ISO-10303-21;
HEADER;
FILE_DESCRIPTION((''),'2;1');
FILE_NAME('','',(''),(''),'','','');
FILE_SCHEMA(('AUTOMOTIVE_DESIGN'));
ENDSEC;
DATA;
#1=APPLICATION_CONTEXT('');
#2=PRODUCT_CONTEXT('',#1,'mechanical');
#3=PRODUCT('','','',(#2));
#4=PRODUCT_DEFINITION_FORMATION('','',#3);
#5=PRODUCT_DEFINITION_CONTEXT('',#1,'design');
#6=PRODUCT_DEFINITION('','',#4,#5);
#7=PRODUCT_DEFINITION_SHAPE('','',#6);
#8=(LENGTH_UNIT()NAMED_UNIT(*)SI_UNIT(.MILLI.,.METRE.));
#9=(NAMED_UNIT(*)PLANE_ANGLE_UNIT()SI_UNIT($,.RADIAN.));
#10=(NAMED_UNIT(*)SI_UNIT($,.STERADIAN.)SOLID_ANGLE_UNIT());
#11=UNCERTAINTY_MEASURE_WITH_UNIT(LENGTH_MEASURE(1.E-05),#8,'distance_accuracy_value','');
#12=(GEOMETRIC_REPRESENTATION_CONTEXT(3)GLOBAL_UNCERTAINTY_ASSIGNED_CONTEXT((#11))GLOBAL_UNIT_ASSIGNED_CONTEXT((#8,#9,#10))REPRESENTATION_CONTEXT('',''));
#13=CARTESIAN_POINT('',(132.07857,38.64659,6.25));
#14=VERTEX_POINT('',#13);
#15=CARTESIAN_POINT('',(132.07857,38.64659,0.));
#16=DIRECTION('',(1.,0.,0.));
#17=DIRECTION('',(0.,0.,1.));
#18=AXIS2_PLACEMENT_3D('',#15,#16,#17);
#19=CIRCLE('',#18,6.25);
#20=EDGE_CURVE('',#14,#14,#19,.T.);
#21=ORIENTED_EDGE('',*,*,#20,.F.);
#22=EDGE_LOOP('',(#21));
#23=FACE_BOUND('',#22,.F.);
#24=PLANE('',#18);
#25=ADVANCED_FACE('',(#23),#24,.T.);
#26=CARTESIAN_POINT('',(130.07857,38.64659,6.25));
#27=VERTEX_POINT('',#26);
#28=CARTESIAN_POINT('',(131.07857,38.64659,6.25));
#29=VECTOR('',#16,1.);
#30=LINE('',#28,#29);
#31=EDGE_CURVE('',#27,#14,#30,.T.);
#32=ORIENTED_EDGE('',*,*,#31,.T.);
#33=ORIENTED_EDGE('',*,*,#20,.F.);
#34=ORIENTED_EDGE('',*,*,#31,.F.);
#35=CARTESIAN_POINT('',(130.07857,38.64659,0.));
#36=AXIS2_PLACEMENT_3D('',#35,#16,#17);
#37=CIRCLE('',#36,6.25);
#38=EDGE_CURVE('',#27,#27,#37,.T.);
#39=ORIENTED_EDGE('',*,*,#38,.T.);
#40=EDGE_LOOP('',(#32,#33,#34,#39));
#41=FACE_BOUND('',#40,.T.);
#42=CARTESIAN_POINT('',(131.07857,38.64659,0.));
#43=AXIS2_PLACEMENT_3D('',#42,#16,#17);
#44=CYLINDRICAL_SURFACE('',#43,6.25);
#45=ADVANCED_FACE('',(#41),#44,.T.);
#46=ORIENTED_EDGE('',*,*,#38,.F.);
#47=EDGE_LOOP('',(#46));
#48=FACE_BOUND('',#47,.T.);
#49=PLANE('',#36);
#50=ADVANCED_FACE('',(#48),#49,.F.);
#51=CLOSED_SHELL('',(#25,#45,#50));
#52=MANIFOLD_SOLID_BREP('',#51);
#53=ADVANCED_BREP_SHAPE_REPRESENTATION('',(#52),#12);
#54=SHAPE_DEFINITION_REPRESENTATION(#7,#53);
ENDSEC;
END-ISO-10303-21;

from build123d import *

# Parameters (mm, degrees)
SKETCH_1_W = 2
SKETCH_1_H = 6.25


with BuildPart() as part:
    # 草图1 → 旋转1 (revolve)
    with BuildSketch(Plane.XY, mode=Mode.PRIVATE) as revolve_1_sk:
        with Locations((131.078570246, 41.771589675)):
            Rectangle(SKETCH_1_W, SKETCH_1_H)
    revolve(revolve_1_sk.sketch.rotate(Axis((127.000400996, 38.646589675, 0), (1, 0, 0)), 90), axis=Axis((127.000400996, 38.646589675, 0), (1, 0, 0)))  # turned: the seam where the file's is


solid = part.part
